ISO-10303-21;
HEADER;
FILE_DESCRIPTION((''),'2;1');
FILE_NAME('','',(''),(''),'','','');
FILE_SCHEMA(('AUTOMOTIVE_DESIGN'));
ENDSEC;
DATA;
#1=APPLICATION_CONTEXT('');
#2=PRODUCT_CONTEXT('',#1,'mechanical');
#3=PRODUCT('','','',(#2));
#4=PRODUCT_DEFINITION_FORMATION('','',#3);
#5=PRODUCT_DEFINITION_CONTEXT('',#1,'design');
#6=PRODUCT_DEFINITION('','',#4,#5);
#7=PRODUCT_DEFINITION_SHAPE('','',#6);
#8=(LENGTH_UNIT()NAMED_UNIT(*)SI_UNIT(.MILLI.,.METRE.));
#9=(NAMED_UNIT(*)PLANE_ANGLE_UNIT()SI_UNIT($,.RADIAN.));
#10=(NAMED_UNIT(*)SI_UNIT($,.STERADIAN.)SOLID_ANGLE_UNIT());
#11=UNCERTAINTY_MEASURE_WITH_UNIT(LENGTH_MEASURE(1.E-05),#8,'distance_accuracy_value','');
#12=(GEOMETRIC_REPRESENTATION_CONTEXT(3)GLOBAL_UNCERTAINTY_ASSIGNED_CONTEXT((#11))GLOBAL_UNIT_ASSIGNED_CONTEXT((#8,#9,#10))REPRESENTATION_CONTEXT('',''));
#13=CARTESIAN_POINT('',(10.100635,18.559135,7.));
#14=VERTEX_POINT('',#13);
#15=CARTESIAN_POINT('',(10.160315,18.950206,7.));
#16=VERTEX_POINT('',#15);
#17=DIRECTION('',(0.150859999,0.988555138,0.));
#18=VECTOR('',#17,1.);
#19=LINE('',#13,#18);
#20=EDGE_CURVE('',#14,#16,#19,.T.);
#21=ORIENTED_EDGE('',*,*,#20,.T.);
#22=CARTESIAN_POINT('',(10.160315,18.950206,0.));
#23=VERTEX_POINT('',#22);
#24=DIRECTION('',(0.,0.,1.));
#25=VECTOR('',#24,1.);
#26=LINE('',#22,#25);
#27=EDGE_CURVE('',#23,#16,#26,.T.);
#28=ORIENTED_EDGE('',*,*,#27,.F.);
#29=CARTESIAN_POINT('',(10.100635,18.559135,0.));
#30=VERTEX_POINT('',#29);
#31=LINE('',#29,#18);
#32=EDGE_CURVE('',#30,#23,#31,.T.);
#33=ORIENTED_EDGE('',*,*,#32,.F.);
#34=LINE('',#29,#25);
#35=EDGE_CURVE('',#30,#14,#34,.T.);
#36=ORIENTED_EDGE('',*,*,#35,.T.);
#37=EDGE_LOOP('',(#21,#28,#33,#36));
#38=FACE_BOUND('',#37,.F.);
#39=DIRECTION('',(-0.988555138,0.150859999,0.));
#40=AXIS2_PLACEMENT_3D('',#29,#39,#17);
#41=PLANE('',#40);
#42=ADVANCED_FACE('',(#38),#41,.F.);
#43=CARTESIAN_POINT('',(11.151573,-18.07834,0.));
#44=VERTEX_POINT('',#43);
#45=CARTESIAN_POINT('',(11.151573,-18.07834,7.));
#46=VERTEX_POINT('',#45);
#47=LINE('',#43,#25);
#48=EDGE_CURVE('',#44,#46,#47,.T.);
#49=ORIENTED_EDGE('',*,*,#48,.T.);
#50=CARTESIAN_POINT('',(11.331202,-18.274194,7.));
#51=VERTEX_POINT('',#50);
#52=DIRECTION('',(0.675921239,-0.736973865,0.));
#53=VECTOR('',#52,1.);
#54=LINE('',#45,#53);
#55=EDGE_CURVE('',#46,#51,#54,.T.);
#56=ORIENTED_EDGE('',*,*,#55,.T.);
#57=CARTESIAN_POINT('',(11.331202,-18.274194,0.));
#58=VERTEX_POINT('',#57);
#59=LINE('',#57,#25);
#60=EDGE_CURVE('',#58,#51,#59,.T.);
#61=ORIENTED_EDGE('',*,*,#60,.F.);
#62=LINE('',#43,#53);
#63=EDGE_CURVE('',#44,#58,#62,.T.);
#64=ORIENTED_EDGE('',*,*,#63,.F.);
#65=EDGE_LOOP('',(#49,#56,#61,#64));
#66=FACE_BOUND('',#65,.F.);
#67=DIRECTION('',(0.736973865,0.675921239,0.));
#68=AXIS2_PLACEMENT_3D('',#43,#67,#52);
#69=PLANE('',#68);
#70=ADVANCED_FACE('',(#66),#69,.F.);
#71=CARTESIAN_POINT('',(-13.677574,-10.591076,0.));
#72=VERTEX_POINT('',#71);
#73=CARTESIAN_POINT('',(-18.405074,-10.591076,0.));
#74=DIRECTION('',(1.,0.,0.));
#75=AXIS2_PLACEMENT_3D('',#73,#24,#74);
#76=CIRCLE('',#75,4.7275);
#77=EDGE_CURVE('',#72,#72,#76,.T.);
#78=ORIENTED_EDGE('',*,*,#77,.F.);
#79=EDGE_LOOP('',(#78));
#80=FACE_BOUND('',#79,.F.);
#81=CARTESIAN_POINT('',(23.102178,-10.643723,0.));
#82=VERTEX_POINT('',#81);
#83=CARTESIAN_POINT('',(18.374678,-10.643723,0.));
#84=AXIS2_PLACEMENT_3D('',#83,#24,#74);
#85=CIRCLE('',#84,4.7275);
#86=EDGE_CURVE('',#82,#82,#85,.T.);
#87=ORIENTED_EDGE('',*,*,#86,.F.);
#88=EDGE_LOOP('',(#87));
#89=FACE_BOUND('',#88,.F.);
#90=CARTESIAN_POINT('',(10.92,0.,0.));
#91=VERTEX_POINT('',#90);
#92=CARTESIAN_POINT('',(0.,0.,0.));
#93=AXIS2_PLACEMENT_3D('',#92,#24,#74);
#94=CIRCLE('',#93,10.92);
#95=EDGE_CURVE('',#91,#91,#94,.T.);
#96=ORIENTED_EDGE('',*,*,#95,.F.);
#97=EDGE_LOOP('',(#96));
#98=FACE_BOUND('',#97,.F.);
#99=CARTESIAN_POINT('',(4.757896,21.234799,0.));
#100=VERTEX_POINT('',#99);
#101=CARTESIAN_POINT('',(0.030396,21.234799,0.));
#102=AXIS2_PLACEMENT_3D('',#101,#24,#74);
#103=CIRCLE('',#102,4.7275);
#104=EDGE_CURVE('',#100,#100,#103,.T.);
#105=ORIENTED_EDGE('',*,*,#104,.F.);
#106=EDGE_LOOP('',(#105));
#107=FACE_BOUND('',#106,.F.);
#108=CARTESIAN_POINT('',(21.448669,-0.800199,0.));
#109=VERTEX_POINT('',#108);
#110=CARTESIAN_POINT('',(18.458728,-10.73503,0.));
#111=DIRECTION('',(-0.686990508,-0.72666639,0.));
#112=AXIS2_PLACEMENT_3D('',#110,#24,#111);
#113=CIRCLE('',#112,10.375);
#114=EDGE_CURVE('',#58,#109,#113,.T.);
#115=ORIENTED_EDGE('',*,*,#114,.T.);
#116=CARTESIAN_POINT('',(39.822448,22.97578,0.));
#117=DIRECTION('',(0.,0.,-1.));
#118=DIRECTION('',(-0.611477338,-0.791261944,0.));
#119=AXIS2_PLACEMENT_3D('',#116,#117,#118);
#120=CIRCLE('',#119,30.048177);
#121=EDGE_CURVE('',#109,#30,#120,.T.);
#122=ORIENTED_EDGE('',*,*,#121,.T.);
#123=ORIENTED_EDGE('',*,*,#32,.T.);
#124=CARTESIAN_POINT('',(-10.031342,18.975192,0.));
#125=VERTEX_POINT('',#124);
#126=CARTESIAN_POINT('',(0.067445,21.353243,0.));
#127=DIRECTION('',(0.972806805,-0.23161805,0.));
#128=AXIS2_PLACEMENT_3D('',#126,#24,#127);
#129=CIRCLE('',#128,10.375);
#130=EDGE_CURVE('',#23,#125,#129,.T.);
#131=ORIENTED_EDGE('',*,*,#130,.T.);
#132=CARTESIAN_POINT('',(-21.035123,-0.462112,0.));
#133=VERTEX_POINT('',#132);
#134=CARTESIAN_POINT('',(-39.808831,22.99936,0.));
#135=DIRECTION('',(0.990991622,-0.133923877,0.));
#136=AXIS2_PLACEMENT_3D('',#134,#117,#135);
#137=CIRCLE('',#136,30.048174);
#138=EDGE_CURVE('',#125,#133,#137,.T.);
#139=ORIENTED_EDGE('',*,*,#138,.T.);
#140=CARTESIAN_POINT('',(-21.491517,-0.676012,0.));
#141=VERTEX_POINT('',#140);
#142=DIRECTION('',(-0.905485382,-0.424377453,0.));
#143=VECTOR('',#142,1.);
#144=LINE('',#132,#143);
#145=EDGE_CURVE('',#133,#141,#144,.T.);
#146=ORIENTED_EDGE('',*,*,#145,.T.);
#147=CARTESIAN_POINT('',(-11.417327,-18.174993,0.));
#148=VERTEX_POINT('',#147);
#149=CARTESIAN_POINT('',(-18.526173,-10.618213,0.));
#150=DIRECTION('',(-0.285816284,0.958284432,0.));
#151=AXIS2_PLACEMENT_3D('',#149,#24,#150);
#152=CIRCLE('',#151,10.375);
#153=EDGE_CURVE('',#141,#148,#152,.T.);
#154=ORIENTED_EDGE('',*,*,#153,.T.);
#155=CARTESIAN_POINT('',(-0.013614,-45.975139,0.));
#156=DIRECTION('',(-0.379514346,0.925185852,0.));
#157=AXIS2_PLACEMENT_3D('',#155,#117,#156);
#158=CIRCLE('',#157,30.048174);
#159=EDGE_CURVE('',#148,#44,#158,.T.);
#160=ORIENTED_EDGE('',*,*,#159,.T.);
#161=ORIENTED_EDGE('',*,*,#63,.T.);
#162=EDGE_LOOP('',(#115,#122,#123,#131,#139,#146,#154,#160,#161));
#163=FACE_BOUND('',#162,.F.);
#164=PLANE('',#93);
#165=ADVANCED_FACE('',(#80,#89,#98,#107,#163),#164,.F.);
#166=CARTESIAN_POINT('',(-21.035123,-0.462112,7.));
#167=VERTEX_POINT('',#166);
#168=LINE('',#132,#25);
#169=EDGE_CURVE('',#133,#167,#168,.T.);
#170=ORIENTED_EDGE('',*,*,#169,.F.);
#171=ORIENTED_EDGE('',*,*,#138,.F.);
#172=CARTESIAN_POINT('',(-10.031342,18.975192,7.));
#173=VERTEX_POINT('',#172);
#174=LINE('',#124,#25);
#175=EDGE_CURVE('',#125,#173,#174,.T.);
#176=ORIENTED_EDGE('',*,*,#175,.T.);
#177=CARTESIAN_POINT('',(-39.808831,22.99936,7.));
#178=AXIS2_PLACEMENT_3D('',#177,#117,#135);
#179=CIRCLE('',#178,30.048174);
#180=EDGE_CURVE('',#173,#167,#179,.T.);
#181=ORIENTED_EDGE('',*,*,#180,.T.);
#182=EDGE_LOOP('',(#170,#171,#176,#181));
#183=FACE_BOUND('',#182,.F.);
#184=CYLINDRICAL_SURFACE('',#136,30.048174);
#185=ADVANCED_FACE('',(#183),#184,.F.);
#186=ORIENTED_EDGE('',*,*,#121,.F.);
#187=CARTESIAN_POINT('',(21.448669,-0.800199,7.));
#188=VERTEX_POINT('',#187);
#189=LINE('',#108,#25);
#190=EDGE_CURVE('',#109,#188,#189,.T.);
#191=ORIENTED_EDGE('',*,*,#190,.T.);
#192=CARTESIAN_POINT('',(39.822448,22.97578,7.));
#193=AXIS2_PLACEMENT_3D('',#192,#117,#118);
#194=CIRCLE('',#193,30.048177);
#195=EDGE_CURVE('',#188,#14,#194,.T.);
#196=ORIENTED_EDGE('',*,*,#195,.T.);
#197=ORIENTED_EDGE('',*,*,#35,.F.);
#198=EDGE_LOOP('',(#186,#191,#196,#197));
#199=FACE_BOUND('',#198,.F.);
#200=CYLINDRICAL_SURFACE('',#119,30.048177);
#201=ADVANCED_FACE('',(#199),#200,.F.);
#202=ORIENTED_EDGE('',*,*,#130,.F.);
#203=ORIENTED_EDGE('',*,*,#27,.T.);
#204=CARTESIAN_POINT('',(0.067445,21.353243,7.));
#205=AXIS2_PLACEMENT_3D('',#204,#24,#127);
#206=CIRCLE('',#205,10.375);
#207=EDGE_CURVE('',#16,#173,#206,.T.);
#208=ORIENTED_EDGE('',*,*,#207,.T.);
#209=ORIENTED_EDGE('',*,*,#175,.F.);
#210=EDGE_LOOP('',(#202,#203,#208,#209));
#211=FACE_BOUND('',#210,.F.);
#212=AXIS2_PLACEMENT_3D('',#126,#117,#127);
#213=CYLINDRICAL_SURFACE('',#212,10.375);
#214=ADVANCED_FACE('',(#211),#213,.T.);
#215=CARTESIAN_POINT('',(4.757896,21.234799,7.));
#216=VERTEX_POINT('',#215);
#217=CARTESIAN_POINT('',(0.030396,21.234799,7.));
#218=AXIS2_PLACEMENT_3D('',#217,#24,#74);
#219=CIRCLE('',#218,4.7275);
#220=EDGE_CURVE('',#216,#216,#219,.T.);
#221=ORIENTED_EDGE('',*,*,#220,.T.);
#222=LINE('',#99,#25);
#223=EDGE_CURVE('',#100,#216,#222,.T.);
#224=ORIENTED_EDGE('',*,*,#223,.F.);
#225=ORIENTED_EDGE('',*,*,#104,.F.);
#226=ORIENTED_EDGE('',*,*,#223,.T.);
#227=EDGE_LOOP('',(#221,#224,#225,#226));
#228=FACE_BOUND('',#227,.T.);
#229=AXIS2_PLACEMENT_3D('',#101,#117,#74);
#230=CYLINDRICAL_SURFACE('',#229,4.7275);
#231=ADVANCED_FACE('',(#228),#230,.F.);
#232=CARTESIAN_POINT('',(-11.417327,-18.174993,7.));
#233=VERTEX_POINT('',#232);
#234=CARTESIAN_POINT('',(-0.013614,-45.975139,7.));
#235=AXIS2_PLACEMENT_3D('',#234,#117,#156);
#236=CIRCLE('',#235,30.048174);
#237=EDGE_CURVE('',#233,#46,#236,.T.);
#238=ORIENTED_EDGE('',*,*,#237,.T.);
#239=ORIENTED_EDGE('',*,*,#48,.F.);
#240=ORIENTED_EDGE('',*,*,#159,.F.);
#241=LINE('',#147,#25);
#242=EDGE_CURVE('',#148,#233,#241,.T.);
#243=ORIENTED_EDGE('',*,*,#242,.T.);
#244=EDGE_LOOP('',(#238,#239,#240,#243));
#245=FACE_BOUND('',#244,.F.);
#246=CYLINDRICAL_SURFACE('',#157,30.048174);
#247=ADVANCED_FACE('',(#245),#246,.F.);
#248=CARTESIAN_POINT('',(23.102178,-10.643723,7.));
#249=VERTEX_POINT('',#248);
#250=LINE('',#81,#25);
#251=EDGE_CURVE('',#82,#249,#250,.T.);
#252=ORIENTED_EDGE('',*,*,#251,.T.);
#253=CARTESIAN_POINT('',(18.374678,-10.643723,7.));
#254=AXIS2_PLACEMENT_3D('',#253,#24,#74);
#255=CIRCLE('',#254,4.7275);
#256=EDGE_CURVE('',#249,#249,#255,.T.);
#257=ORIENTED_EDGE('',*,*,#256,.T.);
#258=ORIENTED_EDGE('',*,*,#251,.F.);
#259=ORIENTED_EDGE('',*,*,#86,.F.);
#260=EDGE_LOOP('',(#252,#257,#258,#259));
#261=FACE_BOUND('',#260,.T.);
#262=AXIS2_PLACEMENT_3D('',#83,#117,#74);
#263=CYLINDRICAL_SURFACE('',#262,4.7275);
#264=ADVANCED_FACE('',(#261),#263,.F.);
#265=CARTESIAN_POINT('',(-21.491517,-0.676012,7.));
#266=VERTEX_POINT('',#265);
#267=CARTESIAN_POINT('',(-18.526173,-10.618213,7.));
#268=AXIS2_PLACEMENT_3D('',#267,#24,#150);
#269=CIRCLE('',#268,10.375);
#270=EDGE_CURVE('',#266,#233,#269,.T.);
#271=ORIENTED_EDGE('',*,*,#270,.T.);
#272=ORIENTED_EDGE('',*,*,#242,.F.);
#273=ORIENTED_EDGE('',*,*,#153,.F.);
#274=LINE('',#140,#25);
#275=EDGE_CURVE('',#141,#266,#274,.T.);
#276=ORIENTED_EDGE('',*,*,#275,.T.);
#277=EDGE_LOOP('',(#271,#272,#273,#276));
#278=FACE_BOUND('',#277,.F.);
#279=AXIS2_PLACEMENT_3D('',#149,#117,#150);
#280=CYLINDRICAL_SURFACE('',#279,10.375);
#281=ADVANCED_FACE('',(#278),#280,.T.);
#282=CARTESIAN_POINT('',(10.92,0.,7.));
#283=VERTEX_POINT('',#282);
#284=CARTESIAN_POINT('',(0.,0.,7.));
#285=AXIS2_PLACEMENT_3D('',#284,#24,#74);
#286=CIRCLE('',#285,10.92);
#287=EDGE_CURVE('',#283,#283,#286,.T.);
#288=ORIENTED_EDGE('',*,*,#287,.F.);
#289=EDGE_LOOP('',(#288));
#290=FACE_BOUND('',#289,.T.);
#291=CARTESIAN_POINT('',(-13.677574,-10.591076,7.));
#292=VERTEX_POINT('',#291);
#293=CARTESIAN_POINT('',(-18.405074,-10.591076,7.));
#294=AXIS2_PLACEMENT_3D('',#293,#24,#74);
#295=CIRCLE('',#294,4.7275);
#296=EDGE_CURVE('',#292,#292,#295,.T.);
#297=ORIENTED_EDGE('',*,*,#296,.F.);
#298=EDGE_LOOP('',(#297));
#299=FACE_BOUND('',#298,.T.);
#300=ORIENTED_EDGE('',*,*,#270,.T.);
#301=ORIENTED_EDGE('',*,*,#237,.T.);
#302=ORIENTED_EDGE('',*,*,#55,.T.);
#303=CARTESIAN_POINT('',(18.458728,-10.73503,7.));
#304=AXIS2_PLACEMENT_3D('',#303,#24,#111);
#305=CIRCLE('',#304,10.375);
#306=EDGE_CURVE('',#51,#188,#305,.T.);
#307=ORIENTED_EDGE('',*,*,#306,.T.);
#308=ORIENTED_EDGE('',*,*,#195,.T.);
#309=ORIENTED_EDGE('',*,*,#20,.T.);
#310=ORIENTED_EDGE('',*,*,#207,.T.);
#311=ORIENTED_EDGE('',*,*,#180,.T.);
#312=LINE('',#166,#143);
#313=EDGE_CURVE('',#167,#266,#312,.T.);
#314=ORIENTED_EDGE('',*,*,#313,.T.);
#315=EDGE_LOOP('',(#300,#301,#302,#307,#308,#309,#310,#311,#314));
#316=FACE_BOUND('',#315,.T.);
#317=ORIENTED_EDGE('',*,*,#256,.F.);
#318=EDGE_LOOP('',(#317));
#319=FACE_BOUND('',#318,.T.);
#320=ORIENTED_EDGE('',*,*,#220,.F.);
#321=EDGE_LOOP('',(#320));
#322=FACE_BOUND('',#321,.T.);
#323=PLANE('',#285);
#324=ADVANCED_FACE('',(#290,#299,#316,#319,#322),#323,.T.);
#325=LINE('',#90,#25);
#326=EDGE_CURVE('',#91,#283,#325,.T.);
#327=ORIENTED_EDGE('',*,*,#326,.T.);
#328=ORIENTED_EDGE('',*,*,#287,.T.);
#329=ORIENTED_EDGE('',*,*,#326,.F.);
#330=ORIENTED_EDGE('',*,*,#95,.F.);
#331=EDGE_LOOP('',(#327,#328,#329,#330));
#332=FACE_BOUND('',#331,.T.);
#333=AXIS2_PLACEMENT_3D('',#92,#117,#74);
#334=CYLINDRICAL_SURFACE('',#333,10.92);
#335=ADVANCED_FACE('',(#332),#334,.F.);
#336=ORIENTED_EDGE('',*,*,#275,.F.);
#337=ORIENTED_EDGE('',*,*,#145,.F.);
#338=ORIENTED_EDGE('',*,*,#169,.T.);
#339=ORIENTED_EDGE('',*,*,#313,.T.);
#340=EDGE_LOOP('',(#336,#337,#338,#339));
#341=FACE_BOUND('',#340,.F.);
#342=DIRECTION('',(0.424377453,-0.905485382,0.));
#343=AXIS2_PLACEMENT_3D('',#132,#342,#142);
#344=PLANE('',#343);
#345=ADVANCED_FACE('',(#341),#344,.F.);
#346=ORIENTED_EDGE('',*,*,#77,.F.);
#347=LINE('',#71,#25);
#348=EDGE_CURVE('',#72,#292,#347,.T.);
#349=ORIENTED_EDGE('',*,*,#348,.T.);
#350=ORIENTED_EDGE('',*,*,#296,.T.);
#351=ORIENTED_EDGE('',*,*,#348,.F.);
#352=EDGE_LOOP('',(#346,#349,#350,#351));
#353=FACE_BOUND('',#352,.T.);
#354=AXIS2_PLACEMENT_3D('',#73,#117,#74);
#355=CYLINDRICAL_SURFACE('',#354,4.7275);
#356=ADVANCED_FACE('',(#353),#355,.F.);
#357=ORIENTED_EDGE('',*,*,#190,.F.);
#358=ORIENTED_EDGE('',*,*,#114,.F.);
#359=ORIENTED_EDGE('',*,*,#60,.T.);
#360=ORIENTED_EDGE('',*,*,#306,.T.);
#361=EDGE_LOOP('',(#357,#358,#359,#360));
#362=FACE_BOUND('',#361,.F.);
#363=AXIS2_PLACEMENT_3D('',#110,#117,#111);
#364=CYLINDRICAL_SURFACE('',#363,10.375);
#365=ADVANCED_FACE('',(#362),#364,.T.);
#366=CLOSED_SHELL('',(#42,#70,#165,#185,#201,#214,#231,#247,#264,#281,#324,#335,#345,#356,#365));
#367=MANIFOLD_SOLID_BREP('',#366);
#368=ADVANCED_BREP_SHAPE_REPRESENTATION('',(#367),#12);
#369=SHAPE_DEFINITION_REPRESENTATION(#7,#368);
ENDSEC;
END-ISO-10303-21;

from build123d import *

# Parameters (mm, degrees)
F0_R     = 10.92
F0_R_2   = 4.7275
F1_DEPTH = 7


with BuildPart() as f1:
    # F0 (on Top) → F1 (new body)
    with BuildSketch(Plane.XY):
        Circle(F0_R)
        with BuildLine():
            Line((11.151573, -18.07834), (11.331202, -18.274194))
            ThreePointArc((11.331202, -18.274194), (27.437316, -15.933644), (21.448669, -0.800199))
            ThreePointArc((21.448669, -0.800199), (13.899631, 7.78037), (10.100635, 18.559135))
            Line((10.100635, 18.559135), (10.160315, 18.950206))
            ThreePointArc((10.160315, 18.950206), (0.080283, 31.728235), (-10.031342, 18.975192))
            ThreePointArc((-10.031342, 18.975192), (-13.660086, 8.19612), (-21.035123, -0.462112))
            Line((-21.035123, -0.462112), (-21.491517, -0.676012))
            ThreePointArc((-21.491517, -0.676012), (-27.517599, -15.79459), (-11.417327, -18.174993))
            ThreePointArc((-11.417327, -18.174993), (-0.142296, -15.92724), (11.151573, -18.07834))
        make_face()
        with Locations((-18.405074, -10.591076)):
            Circle(F0_R_2, mode=Mode.SUBTRACT)
        with Locations((18.374678, -10.643723)):
            Circle(F0_R_2, mode=Mode.SUBTRACT)
        Circle(F0_R, mode=Mode.SUBTRACT)
        with Locations((0.030396, 21.234799)):
            Circle(F0_R_2, mode=Mode.SUBTRACT)
    extrude(amount=F1_DEPTH)


solid = f1.part
